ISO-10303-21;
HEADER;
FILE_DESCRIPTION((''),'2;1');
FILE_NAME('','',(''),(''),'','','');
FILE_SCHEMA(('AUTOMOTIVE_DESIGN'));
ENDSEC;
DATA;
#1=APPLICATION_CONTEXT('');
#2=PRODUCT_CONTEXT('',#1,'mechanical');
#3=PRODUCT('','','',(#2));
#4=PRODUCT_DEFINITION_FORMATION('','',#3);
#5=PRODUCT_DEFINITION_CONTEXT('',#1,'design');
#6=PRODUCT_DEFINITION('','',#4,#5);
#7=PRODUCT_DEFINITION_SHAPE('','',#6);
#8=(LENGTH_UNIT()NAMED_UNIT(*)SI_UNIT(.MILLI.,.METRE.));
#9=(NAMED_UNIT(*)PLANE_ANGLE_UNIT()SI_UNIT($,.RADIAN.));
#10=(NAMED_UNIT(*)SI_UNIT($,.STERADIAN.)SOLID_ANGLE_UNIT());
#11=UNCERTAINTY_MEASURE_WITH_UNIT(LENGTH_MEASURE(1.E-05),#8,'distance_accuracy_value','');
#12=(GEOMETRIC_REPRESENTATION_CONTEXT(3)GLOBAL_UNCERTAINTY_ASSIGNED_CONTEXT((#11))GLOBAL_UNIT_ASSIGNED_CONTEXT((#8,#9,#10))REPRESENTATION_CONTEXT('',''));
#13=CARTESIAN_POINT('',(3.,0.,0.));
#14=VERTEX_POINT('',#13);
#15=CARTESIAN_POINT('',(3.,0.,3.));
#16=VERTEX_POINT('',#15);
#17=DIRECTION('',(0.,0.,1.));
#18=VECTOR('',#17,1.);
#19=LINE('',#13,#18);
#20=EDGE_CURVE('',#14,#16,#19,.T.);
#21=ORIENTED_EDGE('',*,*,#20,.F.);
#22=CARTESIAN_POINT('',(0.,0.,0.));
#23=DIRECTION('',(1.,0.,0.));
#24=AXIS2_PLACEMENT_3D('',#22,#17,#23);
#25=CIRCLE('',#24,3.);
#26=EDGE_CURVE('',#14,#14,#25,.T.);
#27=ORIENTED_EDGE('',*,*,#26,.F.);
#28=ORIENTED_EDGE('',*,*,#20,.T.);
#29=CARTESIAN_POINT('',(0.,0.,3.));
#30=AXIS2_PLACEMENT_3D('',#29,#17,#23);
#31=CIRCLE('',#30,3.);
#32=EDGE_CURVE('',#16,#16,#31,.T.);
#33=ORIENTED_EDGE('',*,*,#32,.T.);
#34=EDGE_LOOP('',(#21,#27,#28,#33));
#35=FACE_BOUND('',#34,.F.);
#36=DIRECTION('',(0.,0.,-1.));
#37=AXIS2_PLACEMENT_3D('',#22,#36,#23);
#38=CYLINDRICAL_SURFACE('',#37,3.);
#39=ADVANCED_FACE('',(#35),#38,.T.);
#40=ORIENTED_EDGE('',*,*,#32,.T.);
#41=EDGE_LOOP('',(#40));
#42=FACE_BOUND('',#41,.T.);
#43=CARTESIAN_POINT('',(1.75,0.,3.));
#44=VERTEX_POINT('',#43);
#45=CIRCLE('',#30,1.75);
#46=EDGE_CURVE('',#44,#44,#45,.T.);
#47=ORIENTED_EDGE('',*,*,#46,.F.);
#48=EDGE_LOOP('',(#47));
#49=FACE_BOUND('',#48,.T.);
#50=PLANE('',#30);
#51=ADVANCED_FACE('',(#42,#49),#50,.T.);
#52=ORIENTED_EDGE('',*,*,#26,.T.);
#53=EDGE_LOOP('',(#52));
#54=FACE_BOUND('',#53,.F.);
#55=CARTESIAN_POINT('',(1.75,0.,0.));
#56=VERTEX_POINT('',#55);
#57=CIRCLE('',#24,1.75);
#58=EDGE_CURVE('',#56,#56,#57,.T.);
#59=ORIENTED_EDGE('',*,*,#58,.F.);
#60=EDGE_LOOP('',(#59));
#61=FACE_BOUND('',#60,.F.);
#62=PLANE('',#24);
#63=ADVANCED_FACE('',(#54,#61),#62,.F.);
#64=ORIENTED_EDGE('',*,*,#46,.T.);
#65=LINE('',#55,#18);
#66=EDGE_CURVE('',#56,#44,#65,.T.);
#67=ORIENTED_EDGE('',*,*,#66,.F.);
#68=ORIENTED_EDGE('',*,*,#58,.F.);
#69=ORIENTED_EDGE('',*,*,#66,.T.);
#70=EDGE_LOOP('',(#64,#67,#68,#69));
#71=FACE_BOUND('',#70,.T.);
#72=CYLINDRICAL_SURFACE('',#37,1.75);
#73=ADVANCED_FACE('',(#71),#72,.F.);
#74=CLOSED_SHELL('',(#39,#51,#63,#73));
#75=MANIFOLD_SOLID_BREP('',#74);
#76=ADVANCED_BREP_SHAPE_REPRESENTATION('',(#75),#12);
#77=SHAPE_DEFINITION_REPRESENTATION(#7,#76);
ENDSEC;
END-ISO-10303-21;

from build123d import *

# Parameters (mm, degrees)
SKETCH_R   = 3
SKETCH_R_2 = 1.75
PAD_DEPTH  = 3


with BuildPart() as part:
    # Sketch → Pad (new body)
    with BuildSketch(Plane.XY):
        Circle(SKETCH_R)
        Circle(SKETCH_R_2, mode=Mode.SUBTRACT)
    extrude(amount=PAD_DEPTH)


solid = part.part
